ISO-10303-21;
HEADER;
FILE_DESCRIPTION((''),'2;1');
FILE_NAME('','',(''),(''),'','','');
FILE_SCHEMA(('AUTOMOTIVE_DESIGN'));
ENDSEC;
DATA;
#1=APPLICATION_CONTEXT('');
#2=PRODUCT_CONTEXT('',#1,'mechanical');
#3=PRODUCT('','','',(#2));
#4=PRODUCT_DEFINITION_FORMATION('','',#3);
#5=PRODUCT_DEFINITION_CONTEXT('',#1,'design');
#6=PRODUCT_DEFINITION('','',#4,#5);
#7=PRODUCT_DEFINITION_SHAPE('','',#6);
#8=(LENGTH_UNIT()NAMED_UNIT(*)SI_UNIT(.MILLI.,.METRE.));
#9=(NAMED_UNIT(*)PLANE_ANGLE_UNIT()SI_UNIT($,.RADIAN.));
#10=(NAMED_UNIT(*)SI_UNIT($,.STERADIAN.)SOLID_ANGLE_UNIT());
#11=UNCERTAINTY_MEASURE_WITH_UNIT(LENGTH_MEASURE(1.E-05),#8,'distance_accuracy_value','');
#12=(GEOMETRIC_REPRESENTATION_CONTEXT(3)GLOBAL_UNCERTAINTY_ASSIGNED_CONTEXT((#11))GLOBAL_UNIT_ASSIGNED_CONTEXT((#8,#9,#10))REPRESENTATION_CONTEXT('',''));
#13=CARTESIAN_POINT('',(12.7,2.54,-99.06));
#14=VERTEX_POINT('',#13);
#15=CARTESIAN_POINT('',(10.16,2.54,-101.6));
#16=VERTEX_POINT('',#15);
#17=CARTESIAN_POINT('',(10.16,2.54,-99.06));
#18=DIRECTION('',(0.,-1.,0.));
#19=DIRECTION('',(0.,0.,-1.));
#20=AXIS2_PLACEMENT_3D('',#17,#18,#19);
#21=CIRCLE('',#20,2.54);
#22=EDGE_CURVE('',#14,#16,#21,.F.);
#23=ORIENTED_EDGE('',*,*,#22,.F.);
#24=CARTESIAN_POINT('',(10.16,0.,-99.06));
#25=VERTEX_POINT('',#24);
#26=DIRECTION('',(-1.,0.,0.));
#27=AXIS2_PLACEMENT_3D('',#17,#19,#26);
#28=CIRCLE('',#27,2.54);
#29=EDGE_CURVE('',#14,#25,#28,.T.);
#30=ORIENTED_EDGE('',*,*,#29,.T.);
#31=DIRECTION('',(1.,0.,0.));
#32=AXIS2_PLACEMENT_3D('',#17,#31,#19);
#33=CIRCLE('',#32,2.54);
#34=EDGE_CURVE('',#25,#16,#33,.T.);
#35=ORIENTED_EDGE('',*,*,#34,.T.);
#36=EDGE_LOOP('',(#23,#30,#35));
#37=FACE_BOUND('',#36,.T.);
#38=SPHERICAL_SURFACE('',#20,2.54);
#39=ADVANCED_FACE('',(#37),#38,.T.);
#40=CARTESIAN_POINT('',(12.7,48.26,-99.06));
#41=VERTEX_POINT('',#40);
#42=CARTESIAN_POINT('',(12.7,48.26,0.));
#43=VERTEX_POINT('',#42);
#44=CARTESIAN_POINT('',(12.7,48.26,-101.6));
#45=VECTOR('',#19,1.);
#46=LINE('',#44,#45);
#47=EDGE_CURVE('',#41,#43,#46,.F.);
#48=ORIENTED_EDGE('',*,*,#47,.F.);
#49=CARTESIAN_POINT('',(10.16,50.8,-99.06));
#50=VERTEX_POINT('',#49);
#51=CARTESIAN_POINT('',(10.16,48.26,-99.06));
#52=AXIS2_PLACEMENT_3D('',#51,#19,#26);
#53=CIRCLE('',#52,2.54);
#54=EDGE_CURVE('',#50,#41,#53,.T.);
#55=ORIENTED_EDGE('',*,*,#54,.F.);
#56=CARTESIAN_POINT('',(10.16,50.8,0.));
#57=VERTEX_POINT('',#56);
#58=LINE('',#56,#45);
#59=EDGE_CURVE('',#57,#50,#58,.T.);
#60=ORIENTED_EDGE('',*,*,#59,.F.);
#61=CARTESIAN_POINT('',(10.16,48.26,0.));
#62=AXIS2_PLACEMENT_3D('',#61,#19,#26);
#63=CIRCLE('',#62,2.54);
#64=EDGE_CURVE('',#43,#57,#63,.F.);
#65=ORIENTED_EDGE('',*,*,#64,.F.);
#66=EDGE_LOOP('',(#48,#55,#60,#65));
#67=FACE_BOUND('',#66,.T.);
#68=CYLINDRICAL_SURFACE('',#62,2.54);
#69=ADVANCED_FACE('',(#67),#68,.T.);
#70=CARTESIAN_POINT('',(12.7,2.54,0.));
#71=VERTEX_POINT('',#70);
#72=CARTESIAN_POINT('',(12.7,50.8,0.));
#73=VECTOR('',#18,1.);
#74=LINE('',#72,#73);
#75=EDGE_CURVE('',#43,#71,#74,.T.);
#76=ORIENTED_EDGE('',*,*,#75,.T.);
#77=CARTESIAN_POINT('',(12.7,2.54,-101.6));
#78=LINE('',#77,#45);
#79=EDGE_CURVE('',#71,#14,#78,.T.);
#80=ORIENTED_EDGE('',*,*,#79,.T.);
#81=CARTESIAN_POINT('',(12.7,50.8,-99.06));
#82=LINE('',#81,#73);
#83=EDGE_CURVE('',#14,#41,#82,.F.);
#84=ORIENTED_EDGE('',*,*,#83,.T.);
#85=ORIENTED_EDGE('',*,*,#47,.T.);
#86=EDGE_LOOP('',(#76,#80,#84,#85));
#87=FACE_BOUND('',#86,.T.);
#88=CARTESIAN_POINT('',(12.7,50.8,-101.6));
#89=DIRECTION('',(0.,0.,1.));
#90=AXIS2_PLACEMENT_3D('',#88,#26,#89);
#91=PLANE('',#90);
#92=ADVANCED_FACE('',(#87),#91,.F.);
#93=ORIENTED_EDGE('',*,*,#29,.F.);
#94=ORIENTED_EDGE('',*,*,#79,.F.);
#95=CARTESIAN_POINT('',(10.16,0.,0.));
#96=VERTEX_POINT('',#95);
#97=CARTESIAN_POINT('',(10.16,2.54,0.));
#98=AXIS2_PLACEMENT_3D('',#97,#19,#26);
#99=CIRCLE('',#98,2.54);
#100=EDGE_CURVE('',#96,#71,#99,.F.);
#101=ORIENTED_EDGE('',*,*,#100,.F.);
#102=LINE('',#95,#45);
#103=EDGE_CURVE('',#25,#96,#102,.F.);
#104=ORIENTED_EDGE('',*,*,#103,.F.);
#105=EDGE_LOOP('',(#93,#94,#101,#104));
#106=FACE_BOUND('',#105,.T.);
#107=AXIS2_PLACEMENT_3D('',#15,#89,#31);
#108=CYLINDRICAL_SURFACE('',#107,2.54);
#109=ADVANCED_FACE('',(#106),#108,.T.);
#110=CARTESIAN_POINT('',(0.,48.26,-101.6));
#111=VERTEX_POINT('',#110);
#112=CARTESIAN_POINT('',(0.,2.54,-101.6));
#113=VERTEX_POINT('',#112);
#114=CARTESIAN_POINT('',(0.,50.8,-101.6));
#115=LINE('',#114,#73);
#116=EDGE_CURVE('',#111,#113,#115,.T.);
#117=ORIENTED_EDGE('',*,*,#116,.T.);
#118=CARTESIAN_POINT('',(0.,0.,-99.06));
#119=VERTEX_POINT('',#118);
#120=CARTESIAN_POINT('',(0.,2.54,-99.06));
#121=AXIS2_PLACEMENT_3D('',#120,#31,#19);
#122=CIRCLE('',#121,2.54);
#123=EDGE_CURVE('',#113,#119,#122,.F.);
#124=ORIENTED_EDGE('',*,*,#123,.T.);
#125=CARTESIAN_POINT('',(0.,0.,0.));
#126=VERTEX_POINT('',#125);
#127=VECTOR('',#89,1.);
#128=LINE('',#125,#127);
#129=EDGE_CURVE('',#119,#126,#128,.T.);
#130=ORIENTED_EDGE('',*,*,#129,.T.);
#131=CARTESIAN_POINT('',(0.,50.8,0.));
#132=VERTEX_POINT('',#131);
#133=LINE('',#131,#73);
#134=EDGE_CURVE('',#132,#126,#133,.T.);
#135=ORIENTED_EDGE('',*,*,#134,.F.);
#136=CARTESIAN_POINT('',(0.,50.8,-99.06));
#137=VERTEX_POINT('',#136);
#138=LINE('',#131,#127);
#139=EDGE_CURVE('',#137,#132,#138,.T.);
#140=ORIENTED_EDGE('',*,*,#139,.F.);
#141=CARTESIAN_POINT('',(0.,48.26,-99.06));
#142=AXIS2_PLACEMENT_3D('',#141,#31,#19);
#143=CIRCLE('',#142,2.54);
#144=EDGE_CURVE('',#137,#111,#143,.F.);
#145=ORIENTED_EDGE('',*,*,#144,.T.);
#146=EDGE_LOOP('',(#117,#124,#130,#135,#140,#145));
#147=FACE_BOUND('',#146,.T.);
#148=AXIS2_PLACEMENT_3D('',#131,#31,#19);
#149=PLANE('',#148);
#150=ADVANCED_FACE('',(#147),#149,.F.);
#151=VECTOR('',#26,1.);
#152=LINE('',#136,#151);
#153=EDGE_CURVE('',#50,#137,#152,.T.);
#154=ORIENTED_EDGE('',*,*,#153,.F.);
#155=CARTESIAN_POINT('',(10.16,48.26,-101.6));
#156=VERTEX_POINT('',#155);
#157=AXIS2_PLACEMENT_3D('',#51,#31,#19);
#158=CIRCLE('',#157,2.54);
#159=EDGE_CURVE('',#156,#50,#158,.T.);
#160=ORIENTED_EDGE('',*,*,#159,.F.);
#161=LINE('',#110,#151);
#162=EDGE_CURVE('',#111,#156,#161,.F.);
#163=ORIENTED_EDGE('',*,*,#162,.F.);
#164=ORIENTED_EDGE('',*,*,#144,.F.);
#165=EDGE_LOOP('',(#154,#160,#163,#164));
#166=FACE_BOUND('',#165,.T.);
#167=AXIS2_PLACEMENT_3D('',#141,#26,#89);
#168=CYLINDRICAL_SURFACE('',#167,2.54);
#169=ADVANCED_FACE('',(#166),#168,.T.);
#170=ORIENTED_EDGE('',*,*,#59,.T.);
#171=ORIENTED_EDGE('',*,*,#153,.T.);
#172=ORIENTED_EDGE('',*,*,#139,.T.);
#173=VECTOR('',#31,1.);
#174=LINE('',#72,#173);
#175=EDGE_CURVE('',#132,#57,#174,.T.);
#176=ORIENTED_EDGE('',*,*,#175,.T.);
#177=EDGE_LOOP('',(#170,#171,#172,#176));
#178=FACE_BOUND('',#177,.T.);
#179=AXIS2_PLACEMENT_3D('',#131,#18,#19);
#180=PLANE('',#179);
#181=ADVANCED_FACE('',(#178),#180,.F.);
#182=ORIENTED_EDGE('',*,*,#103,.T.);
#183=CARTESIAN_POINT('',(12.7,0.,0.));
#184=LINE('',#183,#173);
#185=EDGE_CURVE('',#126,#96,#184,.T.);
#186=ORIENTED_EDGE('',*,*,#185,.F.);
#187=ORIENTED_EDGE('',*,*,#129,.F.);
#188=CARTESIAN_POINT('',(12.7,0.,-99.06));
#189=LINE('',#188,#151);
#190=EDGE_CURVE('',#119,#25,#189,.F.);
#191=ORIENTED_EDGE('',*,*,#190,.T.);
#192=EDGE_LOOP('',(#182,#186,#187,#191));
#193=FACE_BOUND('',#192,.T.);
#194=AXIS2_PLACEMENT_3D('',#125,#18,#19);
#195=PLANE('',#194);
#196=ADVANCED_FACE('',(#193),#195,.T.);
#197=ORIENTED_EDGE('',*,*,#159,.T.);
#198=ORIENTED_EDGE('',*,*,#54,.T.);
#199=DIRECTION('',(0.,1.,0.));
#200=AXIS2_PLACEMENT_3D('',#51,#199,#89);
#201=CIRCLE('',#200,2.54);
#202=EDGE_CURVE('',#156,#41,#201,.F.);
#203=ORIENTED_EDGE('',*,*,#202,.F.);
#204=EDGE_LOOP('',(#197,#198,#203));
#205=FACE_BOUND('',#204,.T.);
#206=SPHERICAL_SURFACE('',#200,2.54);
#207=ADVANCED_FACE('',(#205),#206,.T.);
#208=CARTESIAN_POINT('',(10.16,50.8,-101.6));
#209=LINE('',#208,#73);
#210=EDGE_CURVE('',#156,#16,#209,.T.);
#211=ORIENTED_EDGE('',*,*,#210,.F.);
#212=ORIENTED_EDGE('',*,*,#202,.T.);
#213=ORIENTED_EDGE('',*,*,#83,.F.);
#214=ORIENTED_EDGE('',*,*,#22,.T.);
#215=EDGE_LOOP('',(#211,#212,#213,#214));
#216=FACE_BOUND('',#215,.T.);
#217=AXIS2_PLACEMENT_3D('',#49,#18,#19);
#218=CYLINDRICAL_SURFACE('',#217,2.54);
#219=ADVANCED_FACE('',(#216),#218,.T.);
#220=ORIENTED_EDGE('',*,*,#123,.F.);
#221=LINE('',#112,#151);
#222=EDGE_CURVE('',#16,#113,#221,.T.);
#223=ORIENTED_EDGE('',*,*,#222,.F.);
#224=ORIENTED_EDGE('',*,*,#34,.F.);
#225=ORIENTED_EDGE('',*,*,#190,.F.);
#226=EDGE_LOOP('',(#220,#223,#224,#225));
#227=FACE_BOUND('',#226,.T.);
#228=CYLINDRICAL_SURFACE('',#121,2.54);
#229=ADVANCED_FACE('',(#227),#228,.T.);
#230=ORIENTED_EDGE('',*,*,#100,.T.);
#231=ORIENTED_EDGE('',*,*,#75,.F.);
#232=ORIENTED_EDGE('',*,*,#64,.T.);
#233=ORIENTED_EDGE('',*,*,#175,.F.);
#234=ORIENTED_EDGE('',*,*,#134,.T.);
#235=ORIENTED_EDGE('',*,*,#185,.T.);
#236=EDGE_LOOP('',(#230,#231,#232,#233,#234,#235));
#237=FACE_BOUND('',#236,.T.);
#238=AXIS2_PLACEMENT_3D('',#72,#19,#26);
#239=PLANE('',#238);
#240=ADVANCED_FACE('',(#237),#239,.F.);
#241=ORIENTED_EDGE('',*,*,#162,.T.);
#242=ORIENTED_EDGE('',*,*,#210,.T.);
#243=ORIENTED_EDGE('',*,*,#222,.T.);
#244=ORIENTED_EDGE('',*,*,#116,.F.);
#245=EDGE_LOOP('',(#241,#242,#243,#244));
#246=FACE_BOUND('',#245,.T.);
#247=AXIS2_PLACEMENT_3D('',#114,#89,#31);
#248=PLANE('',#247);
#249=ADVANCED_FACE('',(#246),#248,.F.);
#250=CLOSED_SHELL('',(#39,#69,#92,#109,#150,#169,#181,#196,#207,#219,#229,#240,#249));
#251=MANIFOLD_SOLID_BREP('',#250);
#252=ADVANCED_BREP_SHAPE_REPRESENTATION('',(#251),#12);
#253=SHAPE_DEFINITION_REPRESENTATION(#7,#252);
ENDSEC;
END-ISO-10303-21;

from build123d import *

# Parameters (mm, degrees)
SKETCH2_W           = 12.7
SKETCH2_H           = 101.6
BOSS_EXTRUDE3_DEPTH = 50.8
FILLET2_R           = 2.54


with BuildPart() as part:
    # Sketch2 → Boss-Extrude3 (new body)
    with BuildSketch(Plane(origin=(0, 0, 0), x_dir=(1, 0, 0), z_dir=(0, 1, 0))):
        with Locations((6.35, 50.8)):
            Rectangle(SKETCH2_W, SKETCH2_H)
    extrude(amount=BOSS_EXTRUDE3_DEPTH)

    # Fillet2
    fillet2_edges = [part.edges().sort_by_distance(p)[0] for p in [
        (6.35, 50.8, -101.6),
        (6.35, 0, -101.6),
        (12.7, 0, -50.8),
        (12.7, 25.4, -101.6),
        (12.7, 50.8, -50.8),
    ]]
    fillet(fillet2_edges, radius=FILLET2_R)


solid = part.part
